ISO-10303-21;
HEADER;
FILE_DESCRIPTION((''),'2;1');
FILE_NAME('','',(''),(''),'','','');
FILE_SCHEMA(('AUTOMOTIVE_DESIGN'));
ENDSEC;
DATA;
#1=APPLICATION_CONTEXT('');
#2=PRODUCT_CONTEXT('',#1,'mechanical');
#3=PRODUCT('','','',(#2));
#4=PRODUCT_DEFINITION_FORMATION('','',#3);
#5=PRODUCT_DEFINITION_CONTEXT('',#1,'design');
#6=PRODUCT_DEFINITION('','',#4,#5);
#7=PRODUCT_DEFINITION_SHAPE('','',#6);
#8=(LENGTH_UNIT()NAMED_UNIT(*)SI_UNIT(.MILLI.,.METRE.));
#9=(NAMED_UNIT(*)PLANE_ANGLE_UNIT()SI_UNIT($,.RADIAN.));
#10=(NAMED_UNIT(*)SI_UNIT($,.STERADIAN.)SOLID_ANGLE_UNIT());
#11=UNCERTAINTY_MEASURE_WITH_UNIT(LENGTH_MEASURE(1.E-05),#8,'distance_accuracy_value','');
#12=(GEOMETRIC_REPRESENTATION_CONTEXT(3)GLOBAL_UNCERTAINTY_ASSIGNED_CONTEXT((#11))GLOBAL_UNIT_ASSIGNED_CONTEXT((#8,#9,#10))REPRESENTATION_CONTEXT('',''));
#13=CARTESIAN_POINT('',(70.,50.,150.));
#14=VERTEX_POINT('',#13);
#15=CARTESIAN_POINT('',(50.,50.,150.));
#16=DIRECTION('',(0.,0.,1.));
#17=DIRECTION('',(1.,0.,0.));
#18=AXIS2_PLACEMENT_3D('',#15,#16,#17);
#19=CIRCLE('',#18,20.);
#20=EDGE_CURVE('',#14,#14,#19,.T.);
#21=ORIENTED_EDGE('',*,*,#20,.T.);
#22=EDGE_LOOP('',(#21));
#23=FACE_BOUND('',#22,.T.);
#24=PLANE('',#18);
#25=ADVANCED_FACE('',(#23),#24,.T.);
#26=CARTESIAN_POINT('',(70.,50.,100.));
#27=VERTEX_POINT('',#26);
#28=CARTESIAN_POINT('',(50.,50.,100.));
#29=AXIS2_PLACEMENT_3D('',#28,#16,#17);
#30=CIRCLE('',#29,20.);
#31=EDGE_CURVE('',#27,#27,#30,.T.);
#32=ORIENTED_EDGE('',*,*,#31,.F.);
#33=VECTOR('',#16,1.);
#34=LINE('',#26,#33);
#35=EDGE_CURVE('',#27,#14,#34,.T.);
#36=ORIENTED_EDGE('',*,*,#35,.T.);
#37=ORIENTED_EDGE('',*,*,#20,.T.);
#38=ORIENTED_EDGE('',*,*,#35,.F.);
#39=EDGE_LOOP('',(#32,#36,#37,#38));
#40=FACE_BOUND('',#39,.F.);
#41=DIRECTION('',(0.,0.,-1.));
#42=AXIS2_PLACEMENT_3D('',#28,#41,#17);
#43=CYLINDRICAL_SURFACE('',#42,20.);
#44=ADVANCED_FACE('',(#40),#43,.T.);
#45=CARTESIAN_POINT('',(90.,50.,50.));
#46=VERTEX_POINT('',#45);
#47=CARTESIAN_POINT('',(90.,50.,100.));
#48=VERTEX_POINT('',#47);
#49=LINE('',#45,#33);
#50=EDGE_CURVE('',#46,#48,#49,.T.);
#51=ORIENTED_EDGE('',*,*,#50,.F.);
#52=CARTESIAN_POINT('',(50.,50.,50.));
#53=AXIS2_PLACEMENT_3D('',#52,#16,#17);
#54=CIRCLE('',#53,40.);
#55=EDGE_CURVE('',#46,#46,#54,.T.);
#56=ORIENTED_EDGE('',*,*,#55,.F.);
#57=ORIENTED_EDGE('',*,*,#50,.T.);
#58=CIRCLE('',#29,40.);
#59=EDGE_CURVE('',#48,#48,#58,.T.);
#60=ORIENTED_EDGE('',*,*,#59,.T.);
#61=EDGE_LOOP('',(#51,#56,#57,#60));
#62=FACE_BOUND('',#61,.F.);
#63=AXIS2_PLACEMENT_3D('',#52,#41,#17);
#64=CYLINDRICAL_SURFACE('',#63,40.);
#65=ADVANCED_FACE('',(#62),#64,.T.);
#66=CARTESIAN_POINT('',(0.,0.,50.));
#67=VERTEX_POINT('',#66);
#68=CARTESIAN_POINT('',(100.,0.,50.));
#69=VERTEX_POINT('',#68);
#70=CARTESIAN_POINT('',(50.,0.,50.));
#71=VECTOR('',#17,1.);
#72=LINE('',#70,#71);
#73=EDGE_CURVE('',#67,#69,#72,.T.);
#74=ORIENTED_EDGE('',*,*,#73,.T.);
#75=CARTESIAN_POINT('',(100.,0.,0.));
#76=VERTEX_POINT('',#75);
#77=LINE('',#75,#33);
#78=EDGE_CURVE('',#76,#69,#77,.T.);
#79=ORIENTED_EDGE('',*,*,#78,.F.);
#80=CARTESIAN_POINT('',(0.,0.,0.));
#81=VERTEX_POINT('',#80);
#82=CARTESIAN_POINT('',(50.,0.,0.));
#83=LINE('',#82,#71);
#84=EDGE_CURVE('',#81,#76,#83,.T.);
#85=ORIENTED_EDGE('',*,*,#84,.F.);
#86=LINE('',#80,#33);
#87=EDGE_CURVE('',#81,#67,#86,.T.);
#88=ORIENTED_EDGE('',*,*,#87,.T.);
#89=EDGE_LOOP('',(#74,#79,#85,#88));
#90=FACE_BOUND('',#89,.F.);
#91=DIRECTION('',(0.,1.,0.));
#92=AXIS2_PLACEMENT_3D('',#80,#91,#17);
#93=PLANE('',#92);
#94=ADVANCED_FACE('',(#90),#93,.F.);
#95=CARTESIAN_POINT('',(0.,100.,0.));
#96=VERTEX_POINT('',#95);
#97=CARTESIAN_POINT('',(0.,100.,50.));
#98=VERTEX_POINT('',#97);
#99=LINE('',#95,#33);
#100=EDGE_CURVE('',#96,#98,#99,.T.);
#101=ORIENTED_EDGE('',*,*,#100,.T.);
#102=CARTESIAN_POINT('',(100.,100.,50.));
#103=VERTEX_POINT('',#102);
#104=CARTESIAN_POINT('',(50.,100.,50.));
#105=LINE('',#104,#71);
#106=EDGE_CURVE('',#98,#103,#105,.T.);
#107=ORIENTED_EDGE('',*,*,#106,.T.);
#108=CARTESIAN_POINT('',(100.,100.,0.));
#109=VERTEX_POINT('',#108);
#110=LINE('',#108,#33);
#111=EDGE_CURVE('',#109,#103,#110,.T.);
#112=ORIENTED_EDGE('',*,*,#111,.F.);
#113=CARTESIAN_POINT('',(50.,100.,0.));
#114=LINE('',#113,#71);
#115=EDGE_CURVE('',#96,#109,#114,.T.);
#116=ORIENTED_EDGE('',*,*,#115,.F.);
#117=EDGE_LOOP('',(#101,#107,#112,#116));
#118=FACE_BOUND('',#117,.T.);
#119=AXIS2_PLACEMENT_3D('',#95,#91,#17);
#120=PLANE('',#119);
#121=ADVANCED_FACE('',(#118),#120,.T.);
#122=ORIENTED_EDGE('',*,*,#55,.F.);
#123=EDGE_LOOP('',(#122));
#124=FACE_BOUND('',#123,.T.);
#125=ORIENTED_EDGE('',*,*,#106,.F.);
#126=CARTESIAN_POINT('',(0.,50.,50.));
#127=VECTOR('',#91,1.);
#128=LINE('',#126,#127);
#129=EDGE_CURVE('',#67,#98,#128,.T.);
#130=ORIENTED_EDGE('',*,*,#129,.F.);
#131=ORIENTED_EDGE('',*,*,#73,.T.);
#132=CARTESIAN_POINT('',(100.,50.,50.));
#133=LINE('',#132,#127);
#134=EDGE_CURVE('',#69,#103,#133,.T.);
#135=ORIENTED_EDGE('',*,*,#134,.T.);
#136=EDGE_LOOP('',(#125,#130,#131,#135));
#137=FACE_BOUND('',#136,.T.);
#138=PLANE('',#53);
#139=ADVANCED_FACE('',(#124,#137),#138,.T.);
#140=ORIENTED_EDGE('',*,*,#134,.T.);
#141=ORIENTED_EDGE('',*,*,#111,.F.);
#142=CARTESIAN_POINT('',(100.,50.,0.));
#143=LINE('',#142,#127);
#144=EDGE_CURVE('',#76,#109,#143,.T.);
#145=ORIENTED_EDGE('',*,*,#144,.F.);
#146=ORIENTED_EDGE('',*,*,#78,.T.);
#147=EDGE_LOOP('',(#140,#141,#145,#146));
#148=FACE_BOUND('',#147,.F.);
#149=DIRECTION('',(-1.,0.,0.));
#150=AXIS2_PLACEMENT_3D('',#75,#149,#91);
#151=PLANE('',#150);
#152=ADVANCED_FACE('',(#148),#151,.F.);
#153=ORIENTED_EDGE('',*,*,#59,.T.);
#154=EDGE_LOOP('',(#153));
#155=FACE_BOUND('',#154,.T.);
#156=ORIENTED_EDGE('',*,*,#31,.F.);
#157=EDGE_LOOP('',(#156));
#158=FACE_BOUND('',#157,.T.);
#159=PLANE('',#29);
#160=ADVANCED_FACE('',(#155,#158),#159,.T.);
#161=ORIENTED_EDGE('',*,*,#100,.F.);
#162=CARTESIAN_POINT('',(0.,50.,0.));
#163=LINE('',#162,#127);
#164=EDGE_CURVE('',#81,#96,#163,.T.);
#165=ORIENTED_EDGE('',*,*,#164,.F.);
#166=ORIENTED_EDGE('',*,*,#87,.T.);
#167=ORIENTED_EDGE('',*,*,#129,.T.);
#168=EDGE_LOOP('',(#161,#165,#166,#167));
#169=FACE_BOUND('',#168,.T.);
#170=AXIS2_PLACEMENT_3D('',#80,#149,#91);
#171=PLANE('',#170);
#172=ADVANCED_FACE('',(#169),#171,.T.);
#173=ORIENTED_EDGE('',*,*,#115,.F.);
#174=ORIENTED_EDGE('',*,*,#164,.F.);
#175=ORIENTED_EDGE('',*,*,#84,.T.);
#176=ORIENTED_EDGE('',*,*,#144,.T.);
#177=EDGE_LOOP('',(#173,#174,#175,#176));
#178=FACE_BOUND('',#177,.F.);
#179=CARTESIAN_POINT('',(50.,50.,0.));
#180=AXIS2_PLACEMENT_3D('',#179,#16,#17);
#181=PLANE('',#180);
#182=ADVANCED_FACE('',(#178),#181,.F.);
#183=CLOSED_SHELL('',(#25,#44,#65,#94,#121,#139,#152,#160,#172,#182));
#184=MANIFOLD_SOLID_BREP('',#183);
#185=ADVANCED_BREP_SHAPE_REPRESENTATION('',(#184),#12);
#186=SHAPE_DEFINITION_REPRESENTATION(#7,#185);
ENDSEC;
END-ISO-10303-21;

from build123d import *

# Parameters (mm, degrees)
F0_W     = 100
F0_H     = 100
F1_DEPTH = 50
F2_R     = 40
F3_DEPTH = 50
F4_R     = 20
F5_DEPTH = 50


with BuildPart() as f1:
    # F0 (on Top) → F1 (new body)
    with BuildSketch(Plane.XY):
        with Locations((50, 50)):
            Rectangle(F0_W, F0_H)
    extrude(amount=F1_DEPTH)

    # F2 (on face) → F3 (join)
    with BuildSketch(Plane.XY.offset(50)):
        with Locations((50, 50)):
            Circle(F2_R)
    extrude(amount=F3_DEPTH)

    # F4 (on face) → F5 (join)
    with BuildSketch(Plane.XY.offset(100)):
        with Locations((50, 50)):
            Circle(F4_R)
    extrude(amount=F5_DEPTH)


solid = f1.part
